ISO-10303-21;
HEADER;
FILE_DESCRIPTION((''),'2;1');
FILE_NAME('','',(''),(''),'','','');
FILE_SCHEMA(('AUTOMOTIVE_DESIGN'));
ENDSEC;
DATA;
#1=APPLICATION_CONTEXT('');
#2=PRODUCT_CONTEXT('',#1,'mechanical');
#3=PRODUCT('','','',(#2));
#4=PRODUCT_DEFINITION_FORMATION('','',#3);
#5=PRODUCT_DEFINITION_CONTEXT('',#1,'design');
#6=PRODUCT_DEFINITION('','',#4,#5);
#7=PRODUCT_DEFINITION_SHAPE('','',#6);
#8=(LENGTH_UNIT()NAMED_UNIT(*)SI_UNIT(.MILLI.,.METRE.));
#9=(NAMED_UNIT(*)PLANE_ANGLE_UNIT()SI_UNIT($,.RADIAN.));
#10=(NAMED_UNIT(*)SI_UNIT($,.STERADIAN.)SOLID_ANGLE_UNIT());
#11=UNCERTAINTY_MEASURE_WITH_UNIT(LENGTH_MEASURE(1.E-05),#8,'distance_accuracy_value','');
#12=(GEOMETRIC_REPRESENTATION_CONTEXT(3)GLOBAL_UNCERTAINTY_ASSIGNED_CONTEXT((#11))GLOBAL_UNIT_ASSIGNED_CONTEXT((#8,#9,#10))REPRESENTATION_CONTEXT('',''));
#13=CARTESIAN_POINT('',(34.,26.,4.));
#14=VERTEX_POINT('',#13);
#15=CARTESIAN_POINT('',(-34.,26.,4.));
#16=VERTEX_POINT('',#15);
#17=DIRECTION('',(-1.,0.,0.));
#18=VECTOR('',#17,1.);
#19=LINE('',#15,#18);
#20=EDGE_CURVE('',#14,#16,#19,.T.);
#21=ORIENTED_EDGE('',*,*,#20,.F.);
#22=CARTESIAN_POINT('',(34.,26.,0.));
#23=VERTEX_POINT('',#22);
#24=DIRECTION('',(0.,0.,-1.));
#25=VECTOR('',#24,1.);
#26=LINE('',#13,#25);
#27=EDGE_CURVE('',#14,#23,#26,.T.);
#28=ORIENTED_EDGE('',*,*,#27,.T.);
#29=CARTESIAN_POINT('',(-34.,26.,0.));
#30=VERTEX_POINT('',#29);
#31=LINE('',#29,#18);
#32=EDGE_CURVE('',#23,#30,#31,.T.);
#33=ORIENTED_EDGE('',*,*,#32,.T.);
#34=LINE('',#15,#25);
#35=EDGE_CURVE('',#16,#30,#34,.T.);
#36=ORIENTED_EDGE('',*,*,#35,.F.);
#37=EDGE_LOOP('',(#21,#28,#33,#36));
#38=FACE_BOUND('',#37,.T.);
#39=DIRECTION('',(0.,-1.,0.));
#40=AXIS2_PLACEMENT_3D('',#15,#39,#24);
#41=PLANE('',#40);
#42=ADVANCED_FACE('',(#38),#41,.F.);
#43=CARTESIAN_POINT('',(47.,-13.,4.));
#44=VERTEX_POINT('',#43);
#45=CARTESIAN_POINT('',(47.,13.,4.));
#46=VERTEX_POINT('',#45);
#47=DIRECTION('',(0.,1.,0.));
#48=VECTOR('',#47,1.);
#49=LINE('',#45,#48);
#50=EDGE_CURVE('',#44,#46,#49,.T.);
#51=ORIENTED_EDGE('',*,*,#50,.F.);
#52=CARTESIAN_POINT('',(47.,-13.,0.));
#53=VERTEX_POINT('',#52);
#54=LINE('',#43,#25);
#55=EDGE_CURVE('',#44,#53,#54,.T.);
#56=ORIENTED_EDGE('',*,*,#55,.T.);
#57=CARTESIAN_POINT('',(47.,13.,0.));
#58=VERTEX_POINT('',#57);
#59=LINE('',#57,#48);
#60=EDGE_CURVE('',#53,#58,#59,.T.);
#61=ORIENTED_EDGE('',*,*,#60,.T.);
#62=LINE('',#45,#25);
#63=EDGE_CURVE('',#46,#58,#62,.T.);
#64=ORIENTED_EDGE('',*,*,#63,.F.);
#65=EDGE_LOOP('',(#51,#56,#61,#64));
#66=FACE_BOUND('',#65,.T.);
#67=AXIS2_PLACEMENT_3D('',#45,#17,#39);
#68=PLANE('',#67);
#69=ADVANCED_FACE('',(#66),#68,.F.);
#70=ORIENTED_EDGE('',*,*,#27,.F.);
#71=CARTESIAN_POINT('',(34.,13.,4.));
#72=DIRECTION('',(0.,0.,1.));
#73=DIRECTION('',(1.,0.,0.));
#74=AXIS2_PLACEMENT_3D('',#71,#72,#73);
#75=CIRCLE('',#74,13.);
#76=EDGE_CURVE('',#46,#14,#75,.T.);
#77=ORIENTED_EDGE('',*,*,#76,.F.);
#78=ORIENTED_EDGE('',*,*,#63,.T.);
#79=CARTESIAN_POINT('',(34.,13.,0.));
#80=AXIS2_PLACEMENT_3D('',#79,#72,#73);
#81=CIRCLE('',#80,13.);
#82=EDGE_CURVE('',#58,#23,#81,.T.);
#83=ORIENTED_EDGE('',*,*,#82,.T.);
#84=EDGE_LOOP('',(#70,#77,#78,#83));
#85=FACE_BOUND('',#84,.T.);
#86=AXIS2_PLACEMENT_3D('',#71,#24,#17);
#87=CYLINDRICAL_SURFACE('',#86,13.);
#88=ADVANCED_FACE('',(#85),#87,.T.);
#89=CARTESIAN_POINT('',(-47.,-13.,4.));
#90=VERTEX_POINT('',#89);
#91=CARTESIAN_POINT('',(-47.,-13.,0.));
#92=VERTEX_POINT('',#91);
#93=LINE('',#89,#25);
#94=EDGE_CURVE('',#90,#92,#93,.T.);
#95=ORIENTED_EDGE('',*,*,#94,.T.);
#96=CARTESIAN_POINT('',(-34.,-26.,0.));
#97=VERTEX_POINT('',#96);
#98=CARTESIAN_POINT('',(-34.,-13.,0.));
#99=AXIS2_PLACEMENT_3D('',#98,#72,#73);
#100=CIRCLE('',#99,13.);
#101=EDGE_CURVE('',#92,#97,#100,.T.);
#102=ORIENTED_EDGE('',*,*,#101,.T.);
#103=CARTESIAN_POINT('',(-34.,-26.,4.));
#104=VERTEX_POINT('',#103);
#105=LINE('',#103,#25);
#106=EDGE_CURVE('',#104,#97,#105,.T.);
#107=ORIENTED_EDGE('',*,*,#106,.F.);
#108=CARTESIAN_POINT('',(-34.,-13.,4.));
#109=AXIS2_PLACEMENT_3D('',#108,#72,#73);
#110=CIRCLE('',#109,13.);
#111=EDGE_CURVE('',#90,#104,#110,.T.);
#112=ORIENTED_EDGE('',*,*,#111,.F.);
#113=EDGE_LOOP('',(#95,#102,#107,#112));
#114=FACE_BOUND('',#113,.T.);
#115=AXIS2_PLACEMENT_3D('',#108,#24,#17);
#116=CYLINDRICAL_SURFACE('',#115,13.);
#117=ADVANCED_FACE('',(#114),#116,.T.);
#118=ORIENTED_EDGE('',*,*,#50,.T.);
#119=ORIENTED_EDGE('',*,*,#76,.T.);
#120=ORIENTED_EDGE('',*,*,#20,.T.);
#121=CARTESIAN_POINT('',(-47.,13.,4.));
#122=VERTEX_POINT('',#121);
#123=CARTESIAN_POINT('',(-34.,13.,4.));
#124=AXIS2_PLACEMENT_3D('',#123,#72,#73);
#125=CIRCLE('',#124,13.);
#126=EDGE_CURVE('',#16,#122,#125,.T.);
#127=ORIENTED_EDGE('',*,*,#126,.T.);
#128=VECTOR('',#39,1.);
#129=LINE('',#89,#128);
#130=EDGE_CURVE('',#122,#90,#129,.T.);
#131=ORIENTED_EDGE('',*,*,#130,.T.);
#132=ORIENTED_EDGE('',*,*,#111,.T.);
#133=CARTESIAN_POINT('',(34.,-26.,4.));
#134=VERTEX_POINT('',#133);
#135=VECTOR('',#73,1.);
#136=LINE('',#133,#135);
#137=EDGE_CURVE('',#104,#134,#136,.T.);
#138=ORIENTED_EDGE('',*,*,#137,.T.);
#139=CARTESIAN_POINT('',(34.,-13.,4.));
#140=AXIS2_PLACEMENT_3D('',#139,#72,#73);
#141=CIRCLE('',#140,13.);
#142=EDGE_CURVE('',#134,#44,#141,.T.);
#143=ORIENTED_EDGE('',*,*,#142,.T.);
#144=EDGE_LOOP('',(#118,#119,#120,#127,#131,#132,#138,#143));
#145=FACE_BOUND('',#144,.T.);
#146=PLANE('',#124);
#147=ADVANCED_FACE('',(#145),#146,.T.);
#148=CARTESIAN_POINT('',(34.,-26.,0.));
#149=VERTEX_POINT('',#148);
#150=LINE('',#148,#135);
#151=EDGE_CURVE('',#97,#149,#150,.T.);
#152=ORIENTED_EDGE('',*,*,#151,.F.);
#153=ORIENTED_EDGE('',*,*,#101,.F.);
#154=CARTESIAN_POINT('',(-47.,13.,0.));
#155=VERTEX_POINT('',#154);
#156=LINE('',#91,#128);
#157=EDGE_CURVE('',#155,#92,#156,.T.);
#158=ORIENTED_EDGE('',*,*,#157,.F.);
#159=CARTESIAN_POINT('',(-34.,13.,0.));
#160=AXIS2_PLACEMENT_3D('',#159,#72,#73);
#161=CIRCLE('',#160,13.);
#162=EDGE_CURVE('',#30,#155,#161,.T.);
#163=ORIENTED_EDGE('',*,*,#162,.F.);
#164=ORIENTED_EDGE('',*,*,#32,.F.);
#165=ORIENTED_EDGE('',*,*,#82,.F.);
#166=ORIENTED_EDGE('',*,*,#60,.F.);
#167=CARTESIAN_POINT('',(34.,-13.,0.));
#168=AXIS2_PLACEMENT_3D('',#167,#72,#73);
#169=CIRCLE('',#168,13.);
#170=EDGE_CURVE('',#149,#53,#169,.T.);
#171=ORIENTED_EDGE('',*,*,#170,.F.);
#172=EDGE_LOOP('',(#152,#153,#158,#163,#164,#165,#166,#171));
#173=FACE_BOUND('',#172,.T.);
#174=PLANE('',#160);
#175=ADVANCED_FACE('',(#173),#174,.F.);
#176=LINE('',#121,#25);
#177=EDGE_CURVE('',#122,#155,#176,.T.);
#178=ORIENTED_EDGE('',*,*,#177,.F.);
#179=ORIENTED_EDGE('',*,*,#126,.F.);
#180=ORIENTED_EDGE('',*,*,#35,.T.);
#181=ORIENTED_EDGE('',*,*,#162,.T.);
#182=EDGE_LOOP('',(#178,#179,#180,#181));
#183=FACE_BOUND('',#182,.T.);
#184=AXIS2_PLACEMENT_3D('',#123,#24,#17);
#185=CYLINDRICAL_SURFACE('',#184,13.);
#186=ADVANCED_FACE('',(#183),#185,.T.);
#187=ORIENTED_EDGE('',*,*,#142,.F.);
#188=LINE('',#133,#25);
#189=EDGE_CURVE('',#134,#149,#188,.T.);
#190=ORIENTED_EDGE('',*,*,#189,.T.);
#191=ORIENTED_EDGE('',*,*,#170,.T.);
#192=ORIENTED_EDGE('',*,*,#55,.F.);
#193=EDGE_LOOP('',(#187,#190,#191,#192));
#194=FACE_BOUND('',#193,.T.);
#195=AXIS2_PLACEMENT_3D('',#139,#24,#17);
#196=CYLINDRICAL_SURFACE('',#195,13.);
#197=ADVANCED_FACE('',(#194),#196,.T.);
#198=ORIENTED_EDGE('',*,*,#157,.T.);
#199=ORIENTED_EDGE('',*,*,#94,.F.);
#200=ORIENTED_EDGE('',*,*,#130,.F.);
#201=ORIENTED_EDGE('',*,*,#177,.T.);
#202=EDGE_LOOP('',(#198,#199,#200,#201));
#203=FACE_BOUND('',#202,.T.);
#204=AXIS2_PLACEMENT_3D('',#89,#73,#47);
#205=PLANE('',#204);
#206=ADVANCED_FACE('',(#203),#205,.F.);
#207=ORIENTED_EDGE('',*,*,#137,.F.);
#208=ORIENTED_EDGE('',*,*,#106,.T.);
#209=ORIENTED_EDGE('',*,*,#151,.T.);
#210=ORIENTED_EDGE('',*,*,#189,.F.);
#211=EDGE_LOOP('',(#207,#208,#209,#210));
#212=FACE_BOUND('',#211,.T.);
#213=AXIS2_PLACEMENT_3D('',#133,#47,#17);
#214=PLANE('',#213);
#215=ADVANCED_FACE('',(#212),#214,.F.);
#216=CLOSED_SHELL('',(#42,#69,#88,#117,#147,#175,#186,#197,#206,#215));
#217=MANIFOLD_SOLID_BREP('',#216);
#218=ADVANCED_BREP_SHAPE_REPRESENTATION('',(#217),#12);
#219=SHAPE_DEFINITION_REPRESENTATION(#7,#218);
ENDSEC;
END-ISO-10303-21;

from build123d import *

# Parameters (mm, degrees)
EXTRUDE_1_DEPTH = 4


with BuildPart() as part:
    # Эскиз1 → Бобышка-Вытянуть1 (new body)
    with BuildSketch(Plane.XY):
        with BuildLine():
            Line((-34, 26), (34, 26))
            ThreePointArc((34, 26), (43.192388155, 22.192388155), (47, 13))
            Line((47, 13), (47, -13))
            ThreePointArc((47, -13), (43.192388155, -22.192388155), (34, -26))
            Line((34, -26), (-34, -26))
            ThreePointArc((-34, -26), (-43.192388155, -22.192388155), (-47, -13))
            Line((-47, -13), (-47, 13))
            ThreePointArc((-47, 13), (-43.192388155, 22.192388155), (-34, 26))
        make_face()
    extrude(amount=EXTRUDE_1_DEPTH)


solid = part.part
